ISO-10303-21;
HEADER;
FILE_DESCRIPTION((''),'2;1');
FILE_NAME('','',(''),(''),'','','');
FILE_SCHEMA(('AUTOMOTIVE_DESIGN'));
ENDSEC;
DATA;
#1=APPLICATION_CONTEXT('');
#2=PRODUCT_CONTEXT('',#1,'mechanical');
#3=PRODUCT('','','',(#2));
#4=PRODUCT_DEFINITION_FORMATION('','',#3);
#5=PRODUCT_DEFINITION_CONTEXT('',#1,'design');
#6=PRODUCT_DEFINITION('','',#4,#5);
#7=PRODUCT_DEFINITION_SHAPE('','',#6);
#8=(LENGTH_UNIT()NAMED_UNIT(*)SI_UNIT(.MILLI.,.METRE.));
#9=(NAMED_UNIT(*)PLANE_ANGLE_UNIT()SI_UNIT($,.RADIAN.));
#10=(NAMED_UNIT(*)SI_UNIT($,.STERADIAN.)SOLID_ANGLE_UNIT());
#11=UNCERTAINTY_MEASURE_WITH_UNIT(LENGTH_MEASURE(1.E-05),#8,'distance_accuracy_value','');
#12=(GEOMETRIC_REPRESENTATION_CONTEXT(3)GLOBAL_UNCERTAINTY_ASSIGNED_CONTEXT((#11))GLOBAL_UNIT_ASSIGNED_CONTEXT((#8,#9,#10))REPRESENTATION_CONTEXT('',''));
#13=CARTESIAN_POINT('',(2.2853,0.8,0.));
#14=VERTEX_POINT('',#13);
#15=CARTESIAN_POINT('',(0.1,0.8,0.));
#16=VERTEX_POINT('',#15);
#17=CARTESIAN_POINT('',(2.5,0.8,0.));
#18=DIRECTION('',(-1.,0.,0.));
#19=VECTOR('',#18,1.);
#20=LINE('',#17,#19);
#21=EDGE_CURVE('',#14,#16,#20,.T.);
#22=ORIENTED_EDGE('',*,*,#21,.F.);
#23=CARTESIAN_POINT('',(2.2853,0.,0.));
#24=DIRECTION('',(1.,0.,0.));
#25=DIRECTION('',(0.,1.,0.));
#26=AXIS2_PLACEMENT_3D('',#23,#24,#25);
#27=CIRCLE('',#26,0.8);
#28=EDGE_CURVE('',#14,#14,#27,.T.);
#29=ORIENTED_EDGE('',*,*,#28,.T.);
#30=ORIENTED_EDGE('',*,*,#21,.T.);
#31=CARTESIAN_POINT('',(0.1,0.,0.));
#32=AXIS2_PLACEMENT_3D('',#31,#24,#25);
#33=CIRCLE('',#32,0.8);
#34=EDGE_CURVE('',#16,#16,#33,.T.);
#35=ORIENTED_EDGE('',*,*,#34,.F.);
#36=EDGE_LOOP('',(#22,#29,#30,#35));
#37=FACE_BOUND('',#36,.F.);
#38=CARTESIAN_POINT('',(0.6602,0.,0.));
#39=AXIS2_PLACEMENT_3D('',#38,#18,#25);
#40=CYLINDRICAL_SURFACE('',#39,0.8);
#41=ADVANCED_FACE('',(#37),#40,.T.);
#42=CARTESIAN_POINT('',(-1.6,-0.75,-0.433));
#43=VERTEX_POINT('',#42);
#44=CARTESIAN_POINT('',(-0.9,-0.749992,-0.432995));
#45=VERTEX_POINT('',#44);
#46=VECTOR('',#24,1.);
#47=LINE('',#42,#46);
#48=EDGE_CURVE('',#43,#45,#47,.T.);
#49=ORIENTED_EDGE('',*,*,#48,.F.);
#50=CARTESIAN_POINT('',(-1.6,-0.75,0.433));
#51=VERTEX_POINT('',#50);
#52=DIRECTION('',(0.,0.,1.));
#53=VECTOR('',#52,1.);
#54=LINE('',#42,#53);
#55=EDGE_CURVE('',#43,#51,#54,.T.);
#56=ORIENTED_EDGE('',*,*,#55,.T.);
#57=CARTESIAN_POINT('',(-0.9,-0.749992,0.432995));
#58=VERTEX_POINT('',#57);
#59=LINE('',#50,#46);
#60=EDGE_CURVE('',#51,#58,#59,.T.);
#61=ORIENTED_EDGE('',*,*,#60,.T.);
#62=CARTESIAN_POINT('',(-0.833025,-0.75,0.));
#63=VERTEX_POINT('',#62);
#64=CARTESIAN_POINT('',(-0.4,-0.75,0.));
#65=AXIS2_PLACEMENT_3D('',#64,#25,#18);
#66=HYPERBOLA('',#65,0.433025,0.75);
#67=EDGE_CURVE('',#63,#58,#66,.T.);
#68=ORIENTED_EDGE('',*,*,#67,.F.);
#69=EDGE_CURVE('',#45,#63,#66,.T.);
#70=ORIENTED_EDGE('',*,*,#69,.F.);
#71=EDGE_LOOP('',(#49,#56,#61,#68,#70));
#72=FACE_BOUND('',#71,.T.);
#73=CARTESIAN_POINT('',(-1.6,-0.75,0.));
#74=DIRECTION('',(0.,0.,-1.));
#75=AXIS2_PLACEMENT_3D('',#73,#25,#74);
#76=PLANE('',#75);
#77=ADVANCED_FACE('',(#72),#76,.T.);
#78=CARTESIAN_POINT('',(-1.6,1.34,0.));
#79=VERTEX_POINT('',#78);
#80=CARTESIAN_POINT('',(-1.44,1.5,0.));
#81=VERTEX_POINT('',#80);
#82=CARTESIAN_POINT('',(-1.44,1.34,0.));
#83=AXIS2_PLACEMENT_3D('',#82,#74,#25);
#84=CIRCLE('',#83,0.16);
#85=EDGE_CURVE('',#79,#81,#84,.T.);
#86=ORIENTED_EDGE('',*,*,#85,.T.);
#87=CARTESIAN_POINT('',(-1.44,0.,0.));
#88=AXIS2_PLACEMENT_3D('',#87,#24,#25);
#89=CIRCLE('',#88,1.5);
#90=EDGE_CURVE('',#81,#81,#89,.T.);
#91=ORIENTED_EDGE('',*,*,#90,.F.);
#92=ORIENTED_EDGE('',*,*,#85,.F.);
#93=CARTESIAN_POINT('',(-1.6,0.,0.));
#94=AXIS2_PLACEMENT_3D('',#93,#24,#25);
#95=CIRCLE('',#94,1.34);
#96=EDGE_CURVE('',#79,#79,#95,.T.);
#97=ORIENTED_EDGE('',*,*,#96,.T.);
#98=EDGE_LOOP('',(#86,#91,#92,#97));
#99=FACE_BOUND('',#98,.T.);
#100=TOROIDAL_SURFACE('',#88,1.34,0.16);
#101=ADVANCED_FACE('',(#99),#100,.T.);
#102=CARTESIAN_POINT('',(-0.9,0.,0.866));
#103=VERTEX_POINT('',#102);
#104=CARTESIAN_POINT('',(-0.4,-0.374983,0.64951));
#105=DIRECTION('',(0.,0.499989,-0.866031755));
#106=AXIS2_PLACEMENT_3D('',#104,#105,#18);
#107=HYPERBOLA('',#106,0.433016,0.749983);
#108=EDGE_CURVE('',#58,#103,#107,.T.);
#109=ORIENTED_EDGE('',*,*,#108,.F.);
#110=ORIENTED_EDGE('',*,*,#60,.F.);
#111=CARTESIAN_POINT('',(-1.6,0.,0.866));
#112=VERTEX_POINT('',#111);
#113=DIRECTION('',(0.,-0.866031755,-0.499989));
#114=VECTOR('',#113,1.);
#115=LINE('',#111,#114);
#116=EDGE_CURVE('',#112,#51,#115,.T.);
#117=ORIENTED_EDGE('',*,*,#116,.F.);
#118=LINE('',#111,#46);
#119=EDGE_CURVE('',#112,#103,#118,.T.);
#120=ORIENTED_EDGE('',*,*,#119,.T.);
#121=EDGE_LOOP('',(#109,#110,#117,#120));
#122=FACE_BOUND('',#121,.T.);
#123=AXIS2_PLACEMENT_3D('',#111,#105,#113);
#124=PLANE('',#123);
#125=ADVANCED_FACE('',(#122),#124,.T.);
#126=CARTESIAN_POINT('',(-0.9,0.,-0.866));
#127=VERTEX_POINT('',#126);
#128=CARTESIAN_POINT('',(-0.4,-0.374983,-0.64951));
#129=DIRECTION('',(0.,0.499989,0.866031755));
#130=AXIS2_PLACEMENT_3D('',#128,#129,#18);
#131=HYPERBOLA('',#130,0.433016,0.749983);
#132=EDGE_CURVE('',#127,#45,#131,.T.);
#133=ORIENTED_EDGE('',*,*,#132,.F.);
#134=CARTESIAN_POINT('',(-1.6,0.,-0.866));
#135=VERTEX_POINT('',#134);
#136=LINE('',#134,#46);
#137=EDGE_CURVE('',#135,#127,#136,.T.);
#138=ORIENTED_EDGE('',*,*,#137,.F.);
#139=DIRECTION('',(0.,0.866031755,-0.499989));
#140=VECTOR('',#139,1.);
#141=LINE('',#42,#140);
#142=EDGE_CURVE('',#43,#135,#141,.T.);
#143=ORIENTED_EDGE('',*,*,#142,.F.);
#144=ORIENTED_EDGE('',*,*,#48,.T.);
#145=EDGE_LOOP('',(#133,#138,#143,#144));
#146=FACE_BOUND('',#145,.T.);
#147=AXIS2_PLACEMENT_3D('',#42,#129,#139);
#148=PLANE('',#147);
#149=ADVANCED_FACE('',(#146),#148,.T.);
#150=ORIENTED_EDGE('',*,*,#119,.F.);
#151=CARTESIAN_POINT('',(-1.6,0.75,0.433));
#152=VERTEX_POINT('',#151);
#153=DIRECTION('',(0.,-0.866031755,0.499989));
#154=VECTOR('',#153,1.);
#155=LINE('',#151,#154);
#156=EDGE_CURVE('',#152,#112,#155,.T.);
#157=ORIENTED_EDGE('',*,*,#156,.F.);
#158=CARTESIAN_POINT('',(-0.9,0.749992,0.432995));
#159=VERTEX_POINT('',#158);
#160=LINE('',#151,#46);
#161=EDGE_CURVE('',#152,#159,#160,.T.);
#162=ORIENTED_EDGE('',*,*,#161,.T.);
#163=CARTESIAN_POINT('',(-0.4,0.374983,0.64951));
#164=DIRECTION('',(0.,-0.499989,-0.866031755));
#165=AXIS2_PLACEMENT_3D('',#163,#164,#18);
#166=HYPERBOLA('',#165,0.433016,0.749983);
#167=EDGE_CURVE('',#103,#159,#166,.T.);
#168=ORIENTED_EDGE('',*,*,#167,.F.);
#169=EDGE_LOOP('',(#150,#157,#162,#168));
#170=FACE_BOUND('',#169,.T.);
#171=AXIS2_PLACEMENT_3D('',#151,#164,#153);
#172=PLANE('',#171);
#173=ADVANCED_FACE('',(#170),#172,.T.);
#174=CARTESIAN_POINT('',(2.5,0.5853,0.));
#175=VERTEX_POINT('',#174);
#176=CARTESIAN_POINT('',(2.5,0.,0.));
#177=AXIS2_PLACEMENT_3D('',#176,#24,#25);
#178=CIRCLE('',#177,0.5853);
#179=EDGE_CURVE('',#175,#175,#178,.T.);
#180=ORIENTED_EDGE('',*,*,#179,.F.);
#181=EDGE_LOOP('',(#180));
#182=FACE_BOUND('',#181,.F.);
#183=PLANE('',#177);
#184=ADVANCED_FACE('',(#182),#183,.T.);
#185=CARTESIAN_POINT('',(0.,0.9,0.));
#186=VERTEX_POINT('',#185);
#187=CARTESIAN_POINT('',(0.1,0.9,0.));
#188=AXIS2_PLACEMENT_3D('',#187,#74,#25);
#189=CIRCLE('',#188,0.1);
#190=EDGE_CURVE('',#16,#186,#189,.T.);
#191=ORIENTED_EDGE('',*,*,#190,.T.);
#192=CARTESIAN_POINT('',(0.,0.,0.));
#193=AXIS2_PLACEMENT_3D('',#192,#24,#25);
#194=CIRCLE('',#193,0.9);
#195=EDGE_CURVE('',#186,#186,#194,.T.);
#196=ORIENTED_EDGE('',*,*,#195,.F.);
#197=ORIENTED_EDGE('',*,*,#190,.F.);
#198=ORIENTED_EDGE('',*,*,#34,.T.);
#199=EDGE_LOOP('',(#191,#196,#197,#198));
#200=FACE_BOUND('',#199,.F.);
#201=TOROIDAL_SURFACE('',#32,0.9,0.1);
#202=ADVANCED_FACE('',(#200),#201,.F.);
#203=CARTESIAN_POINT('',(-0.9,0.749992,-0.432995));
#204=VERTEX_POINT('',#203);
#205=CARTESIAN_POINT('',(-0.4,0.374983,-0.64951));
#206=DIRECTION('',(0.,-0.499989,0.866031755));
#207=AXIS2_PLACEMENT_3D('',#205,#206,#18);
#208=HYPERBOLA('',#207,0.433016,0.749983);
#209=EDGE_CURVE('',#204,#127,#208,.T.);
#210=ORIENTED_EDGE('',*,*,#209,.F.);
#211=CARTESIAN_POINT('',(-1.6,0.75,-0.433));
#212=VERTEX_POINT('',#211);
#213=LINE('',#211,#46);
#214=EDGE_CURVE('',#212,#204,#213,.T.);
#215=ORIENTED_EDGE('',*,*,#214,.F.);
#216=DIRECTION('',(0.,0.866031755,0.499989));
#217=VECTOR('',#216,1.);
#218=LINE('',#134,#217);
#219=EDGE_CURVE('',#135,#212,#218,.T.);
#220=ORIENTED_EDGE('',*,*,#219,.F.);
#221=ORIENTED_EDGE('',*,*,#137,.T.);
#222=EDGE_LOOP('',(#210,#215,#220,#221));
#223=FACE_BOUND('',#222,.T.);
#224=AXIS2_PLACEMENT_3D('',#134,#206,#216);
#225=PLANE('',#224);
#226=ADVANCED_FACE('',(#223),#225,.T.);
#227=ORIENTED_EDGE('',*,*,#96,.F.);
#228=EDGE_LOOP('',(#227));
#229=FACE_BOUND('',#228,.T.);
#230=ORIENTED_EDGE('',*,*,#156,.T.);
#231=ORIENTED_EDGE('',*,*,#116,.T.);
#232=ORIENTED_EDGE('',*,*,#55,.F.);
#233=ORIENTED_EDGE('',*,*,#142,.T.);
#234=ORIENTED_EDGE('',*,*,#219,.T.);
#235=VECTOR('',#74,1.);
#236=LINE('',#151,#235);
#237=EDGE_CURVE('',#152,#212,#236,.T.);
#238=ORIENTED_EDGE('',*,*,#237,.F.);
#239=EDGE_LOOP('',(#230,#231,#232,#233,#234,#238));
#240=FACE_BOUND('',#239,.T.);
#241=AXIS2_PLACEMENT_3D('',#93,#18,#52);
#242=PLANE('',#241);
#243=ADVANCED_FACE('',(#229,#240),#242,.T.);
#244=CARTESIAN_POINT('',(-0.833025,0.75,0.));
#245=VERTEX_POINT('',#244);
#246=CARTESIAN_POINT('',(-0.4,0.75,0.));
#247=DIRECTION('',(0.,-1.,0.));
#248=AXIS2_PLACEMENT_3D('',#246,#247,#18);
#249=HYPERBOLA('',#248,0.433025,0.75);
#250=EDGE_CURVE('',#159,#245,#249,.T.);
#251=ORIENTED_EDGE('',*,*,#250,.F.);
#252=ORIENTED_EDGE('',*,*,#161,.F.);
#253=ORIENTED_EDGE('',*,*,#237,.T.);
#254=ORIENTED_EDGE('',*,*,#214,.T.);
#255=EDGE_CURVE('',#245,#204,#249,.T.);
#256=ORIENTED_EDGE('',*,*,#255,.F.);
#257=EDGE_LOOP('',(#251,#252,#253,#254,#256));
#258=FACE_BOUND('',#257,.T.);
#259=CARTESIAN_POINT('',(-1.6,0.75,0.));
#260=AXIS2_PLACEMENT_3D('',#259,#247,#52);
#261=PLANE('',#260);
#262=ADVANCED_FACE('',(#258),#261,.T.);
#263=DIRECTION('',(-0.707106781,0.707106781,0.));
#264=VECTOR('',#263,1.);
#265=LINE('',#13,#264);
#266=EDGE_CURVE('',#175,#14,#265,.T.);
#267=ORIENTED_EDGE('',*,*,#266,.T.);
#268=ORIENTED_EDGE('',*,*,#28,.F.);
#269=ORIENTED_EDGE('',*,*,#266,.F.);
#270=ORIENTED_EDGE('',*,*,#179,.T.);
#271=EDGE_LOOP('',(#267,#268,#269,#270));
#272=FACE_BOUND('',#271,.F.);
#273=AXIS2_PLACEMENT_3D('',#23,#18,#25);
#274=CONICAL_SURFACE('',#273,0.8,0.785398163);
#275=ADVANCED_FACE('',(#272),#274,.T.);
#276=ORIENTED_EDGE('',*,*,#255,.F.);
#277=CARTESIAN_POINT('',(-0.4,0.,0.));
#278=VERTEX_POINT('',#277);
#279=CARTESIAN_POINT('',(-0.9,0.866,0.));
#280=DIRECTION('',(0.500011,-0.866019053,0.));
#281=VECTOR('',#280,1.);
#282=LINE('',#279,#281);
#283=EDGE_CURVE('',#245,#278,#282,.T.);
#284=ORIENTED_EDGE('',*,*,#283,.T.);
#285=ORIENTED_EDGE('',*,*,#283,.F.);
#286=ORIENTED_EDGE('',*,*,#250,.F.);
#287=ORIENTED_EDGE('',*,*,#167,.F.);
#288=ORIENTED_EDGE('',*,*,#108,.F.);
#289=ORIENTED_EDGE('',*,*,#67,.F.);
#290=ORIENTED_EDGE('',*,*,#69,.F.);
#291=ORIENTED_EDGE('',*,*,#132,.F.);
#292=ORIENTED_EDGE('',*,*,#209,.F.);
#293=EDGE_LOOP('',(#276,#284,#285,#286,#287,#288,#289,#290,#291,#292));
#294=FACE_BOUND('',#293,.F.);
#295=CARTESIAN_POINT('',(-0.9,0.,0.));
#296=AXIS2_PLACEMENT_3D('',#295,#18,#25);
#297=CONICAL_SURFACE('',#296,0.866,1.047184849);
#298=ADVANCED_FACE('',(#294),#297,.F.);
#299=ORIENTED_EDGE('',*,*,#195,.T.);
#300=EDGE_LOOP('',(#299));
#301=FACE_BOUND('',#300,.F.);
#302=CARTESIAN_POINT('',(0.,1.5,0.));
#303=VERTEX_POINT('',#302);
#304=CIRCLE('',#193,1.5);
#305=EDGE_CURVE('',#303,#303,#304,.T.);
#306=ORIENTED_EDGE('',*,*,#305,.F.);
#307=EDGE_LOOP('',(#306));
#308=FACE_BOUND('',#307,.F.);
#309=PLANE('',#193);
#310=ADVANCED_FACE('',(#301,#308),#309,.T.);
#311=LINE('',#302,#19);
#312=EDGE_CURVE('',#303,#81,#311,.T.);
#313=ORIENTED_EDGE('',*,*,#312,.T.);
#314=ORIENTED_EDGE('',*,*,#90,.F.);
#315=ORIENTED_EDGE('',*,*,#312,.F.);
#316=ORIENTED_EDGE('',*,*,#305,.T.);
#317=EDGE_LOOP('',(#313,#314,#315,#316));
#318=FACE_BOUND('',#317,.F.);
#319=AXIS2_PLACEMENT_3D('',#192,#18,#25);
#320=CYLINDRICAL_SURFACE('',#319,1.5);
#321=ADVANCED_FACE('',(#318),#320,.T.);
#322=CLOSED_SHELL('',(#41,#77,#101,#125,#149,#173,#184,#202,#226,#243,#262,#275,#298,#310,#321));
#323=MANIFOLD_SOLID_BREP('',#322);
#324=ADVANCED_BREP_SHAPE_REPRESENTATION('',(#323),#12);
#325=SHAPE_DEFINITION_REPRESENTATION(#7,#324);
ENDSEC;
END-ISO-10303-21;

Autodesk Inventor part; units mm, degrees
ref_plane "YZ Plane" through (0, 0, 0) normal (1, 0, 0) x (0, 1, 0)
ref_plane "XZ Plane" through (0, 0, 0) normal (0, 1, 0) x (-1, 0, 0)
sketch "Skizze1" plane through (0, 0, 0) normal (0, 0, 1) x (1, 0, 0)
  line L0 (-0.4, 0) -> (2.5, 0)
  line L1 (2.5, 0) -> (2.5, 0.8)
  line L2 (2.5, 0.8) -> (0.875, 0.8)
  line L3 (0.875, 0.8) -> (0.6602, 0.8)
  line L4 (0.6602, 0.8) -> (0, 0.8)
  line L5 (0, 0.8) -> (0, 1.5)
  line L6 (0, 1.5) -> (-1.6, 1.5)
  line L7 (-1.6, 1.5) -> (-1.6, 0.866)
  line L8 (-1.6, 0.866) -> (-0.9, 0.866)
  line L9 (-0.9, 0.866) -> (-0.4, 0)
  line L10 (-2.42, 0) -> (3.32, 0) projected
  line L11 (0, -0.3) -> (0, 1.8) projected
  line L12 (0.875, 0.8) -> (0, 0.8) construction
  dimension "d1" = 1.625
  dimension "d2" = 0.2148
  dimension "d3" = 1.6
  dimension "d4" = 0.7
  dimension "d5" = 60
  dimension "d6" = 1.6
  dimension "d7" = 1.6
  dimension "d8" = 1.7321
  dimension "d9" = 3
  dimension "d26" = 2.5
revolve "Körper" add sketch "Skizze1" angle 360 about axis through (-0.4, 0, 0) along (1, 0, 0)
sketch "Skizze2" plane through (-1.6, 0, 0) normal (-1, 0, 0) x (0, 0, 1)
  circle A0 centre (0, 0) radius 0.866 projected
  line L0 (0, -2.1) -> (0, 2.1) projected
  line L1 (-2.1, 0) -> (2.1, 0) projected
  line L2 (0.866, 0) -> (0.433, -0.75)
  line L3 (0.433, -0.75) -> (-0.433, -0.75)
  line L4 (-0.433, -0.75) -> (-0.866, 0)
  line L5 (-0.866, 0) -> (-0.433, 0.75)
  line L6 (-0.433, 0.75) -> (0.433, 0.75)
  line L7 (0.433, 0.75) -> (0.866, 0)
extrude "Loch" add sketch "Skizze2" against normal up to next contours L7 A0 | A0 L2 | L6 L0 A0 | A0 L0 L3 | L0 L6 A0 | A0 L3 L0 | L4 A0 | A0 L5
fillet "Rundung1" radius 0.16 1 edges at (-1.6, -1.5, 0)
thread "Gewinde" size "M1.6x0.35" class "6g" standard "ISO Metric profile" length 1.625
chamfer "Fase1" distance 0.2147 distance2 0.2147 1 edges at (2.5, -0.8, 0) measured on face at (2.5, -0.0946, 0.2493)
ref_plane "Work Plane1" through (29, 0, 0) normal (0, -1, 0) x (1, 0, 0)
fillet "Fillet2" radius 0.1 1 edges at (0, -0.8, 0)
equation "\"d1\" = GEL"
equation "\"d3\" = KOH"
equation "\"d4\" = INTI"
equation "\"d6\" = GD"
equation "\"d7\" = BDM"
equation "\"d8\" = 1.1547 * SW"
equation "\"d9\" = KOD"
equation "\"d26\" = NLG"
equation "\"d30\" = R"
equation "\"d17\" = RR"
equation "\"d13\" = GEL"
equation "\"d15\" = -0.5 * SPD + 0.5 * GD"
equation "\"d16\" = GUL"
equation "\"GD\" = 1.6"
equation "\"NLG\" = 2.5"
equation "\"GEL\" = 1.625"
equation "\"KOD\" = 3"
equation "\"KOH\" = 1.6"
equation "\"INTI\" = 0.7"
equation "\"GAL\" = 0.61345 * PTC"
equation "\"GUL\" = 0.61345 * PTC"
equation "\"BDM\" = NND"
equation "\"SW\" = 1.5"
equation "\"RR\" = 0.16"
equation "\"SPD\" = NND - 1.2269 * PTC"
equation "\"R\" = 0.1"
equation "\"TOA\" = 30deg"
equation "\"GD1\" = THREADDIA - 1.2269 * PTC"
equation "\"THREADDIA\" = 1.6"
equation "\"FAWI\" = 45deg"
equation "\"PTC\" = 0.35"
equation "\"NND\" = 1.6"
equation "\"E0\" = 1.155 * SW"
properties part number "ISO 4762 - M1,6 x 2,5" material "Edelstahl, 440C"
